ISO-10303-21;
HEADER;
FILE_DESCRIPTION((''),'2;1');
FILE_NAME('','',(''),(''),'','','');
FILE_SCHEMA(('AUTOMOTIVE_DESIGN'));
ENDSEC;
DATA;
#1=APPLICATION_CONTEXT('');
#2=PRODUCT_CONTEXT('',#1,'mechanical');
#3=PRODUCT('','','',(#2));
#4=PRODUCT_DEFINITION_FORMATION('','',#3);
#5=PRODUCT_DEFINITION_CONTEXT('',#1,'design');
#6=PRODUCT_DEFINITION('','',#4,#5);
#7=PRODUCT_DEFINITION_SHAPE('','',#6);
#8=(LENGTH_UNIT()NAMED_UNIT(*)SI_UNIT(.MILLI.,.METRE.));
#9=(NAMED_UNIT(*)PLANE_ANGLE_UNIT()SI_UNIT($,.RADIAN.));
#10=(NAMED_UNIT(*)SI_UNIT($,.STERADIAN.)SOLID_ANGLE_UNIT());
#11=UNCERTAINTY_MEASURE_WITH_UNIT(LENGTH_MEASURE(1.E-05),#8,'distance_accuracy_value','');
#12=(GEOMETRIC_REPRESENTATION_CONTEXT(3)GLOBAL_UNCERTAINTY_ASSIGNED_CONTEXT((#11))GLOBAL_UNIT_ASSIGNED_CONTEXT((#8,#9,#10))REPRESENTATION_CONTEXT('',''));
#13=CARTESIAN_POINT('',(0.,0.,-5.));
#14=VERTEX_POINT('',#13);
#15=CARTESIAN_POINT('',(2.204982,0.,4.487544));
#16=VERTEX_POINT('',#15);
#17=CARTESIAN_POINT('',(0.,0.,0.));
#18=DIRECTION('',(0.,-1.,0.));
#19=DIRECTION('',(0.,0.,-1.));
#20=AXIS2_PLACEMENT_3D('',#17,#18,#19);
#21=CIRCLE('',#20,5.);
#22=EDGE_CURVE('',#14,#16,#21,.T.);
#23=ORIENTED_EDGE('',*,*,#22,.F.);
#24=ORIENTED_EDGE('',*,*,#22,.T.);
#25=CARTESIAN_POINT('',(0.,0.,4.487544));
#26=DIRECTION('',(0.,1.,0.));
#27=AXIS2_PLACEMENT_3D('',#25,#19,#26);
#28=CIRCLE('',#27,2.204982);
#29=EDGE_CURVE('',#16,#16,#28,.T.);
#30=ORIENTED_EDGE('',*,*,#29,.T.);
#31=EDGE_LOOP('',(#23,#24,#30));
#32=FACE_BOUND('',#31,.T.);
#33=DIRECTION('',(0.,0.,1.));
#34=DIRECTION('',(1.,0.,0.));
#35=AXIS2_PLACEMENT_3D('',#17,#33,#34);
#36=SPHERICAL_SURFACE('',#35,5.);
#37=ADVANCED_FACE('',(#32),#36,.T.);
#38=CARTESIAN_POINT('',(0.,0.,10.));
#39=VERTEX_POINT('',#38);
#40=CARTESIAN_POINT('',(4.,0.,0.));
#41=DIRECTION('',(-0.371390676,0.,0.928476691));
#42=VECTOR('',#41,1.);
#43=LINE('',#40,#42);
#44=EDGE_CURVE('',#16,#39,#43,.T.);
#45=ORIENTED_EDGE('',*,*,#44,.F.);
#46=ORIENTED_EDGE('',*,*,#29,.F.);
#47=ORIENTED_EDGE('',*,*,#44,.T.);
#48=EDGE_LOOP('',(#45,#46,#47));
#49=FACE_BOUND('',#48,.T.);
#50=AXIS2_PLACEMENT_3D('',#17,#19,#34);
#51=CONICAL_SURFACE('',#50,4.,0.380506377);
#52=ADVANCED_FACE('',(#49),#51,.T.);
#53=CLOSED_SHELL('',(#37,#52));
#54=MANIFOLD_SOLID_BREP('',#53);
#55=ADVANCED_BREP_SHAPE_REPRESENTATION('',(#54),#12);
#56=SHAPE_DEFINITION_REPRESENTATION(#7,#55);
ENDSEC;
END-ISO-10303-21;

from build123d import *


with BuildPart() as cone:
    # Cone → Cone (revolve)
    with BuildSketch(Plane.XZ):
        Polygon((0, 0), (4, 0), (0, 10), align=None)
    revolve(axis=Axis((0, 0, 0), (0, 0, 1)))


with BuildPart() as fusion:
    # Sphere001 → Sphere001 (revolve)
    with BuildSketch(Plane.XZ):
        with BuildLine():
            ThreePointArc((0, -5), (5, 0), (0, 5))
            Line((0, 5), (0, -5))
        make_face()
    revolve(axis=Axis((0, 0, 0), (0, 0, 1)))

    # Fusion: union Cone
    add(cone.part)


solid = fusion.part
